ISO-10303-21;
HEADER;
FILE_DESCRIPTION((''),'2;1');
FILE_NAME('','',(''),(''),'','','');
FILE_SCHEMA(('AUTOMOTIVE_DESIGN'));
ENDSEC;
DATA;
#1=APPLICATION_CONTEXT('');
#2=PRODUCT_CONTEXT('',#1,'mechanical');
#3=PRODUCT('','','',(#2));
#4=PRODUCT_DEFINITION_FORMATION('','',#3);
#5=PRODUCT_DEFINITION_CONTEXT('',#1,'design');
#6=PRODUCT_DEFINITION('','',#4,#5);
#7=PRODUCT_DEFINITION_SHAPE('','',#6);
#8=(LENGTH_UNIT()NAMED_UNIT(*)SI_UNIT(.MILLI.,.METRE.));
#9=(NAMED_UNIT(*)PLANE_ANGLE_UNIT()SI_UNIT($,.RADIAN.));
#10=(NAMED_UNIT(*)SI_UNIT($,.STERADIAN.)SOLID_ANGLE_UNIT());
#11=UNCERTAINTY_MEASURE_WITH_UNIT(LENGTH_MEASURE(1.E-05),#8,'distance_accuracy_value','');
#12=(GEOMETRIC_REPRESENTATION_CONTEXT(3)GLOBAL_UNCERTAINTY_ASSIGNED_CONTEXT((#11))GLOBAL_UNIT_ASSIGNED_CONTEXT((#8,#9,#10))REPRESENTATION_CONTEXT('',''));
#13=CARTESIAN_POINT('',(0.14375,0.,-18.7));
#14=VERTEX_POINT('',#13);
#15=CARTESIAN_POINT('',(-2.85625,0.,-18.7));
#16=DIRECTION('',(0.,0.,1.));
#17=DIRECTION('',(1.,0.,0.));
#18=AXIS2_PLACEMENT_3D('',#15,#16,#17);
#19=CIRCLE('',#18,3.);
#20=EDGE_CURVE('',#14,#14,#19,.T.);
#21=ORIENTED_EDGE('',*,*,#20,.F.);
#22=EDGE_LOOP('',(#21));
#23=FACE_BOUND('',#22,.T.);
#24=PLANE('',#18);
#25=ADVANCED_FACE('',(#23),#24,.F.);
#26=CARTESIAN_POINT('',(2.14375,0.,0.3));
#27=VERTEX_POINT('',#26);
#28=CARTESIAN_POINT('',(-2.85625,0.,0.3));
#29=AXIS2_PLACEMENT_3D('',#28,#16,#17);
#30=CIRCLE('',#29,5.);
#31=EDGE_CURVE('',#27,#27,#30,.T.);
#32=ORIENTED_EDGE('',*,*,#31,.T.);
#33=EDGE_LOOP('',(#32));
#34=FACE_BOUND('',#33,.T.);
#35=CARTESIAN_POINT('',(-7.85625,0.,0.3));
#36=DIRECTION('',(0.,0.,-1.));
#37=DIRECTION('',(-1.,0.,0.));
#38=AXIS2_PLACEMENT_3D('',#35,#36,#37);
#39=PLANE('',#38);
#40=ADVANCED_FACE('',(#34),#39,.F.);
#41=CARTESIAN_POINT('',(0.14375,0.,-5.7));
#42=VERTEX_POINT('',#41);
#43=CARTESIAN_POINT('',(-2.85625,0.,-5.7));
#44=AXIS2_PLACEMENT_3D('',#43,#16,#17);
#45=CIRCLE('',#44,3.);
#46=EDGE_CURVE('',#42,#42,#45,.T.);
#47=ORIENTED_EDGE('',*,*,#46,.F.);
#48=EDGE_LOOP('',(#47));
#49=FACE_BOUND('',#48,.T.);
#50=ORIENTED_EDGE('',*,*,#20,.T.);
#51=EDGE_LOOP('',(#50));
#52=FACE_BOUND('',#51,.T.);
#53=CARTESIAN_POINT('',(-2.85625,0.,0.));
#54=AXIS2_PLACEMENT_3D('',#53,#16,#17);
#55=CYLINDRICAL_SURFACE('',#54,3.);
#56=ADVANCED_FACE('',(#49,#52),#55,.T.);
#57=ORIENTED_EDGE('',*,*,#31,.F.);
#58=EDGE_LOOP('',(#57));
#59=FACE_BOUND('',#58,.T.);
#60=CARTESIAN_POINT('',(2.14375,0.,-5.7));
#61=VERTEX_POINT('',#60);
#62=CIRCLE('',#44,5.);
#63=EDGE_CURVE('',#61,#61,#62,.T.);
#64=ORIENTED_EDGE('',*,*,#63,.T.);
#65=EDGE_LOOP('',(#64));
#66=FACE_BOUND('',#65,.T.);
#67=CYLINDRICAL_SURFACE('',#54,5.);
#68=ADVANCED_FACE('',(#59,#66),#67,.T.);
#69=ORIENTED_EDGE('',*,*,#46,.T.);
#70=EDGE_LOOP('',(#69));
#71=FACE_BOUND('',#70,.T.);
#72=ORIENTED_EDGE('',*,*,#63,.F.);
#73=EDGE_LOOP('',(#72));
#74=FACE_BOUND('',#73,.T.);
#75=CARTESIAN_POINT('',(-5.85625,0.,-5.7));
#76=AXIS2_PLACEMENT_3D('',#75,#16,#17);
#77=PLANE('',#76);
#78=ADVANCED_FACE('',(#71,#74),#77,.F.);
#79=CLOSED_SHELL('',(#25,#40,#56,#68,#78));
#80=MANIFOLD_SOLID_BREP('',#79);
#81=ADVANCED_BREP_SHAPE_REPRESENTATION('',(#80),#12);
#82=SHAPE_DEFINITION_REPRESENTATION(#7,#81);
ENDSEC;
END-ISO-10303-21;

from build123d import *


with BuildPart() as part:
    # 草图1 → 旋转1 (revolve)
    with BuildSketch(Plane(origin=(0, 0, 0), x_dir=(1, 0, 0), z_dir=(0, 1, 0)), mode=Mode.PRIVATE) as revolve_1_sk:
        Polygon((-2.85625, 18.7), (-5.85625, 18.7), (-5.85625, 5.7), (-7.85625, 5.7), (-7.85625, -0.3), (-2.85625, -0.3), align=None)
    revolve(revolve_1_sk.sketch.rotate(Axis((-2.85625, 0, 0), (0, 0, -1)), 180), axis=Axis((-2.85625, 0, 0), (0, 0, -1)))


solid = part.part
